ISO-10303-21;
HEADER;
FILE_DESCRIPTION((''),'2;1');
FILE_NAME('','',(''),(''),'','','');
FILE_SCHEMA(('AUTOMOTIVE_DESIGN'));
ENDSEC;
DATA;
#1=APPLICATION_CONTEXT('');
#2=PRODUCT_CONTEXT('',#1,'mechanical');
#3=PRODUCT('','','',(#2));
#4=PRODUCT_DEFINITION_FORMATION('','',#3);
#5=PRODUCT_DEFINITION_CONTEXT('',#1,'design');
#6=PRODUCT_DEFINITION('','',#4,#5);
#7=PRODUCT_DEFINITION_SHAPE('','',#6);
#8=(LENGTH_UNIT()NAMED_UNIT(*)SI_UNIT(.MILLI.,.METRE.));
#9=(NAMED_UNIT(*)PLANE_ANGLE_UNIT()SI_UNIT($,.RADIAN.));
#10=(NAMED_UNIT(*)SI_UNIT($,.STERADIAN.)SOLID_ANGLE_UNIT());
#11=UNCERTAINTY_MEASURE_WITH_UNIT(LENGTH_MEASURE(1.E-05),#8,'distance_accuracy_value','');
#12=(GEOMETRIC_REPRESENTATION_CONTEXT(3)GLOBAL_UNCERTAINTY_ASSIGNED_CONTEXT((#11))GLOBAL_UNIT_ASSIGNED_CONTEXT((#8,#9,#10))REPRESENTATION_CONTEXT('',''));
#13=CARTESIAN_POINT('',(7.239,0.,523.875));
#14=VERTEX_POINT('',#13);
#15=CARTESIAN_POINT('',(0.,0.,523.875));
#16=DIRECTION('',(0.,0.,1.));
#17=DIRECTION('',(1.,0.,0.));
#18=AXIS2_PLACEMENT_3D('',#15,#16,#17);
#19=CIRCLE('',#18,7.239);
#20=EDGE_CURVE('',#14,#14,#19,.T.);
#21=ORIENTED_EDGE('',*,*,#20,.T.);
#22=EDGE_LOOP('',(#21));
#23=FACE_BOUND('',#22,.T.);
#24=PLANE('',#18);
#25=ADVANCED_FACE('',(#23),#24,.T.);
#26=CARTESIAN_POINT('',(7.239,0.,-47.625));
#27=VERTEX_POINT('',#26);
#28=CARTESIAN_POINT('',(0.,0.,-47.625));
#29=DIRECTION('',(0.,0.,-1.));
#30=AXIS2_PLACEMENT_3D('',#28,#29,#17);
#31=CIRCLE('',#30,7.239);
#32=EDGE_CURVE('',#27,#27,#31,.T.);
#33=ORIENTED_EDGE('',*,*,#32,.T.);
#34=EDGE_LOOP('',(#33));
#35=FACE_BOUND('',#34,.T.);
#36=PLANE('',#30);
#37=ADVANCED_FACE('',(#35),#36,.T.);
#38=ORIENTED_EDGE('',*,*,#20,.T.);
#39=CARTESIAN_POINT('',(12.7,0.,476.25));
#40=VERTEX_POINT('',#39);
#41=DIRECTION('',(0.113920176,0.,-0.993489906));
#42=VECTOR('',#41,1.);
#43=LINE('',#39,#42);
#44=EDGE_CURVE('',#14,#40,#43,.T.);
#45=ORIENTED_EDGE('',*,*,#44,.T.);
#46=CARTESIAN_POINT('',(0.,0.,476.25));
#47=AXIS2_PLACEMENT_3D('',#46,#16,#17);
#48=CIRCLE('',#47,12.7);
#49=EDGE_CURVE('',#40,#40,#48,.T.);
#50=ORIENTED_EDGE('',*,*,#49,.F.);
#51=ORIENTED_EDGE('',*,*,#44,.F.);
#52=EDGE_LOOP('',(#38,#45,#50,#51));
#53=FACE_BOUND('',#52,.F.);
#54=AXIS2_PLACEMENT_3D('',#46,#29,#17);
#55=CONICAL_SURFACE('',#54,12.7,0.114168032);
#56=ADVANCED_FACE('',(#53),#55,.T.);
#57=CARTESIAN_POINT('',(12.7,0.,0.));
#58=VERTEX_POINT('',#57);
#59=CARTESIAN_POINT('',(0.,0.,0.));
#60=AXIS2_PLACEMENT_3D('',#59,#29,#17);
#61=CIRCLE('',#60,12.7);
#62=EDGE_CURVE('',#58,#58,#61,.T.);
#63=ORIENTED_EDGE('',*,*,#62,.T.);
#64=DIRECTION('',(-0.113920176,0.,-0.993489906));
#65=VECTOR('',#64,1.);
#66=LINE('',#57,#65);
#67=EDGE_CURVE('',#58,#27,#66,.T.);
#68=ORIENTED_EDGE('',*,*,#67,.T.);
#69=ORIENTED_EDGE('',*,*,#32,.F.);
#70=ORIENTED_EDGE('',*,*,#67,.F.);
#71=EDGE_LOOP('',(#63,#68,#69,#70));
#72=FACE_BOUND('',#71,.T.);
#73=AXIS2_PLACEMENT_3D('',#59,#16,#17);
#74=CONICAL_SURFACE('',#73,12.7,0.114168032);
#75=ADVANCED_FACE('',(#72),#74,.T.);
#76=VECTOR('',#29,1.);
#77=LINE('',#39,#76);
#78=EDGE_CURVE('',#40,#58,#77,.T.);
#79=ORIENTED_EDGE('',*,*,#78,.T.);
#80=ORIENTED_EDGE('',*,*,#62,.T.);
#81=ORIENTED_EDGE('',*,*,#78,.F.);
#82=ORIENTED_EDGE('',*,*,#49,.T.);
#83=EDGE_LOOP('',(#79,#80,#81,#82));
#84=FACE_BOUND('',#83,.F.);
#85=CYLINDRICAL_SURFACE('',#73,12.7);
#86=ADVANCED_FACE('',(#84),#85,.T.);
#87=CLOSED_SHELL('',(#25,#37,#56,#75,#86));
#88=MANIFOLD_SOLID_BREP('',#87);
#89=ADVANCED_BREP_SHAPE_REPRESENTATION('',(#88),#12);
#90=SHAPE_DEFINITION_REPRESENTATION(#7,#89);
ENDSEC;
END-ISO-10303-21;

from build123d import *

# Parameters (mm, degrees)
F0_R     = 12.7
F1_DEPTH = 476.25
F2_R     = 12.7
F3_DEPTH = 47.625
F4_SIZE2 = 47.625
F4_SIZE  = 5.461
F5_R     = 12.7
F6_DEPTH = 47.625
F7_SIZE2 = 5.461
F7_SIZE  = 47.625


with BuildPart() as f1:
    # F0 (on Top) → F1 (new body)
    with BuildSketch(Plane.XY):
        Circle(F0_R)
    extrude(amount=F1_DEPTH)

    # F2 (on face) → F3 (join)
    with BuildSketch(Plane.XY.offset(476.25)):
        Circle(F2_R)
    extrude(amount=F3_DEPTH)

    # F4
    f4_edges = [f1.edges().sort_by_distance(p)[0] for p in [
        (-12.7, 0, 523.875),
    ]]
    f4_side = f1.faces().sort_by_distance((0, 0, 523.875))[0]
    chamfer(f4_edges, length=F4_SIZE, length2=F4_SIZE2, reference=f4_side)

    # F5 (on face) → F6 (join)
    with BuildSketch(Plane(origin=(0, 0, 0), x_dir=(1, 0, 0), z_dir=(0, 0, -1))):
        Circle(F5_R)
    extrude(amount=F6_DEPTH)

    # F7
    f7_edges = [f1.edges().sort_by_distance(p)[0] for p in [
        (-12.7, 0, -47.625),
    ]]
    f7_side = f1.faces().sort_by_distance((-12.7, 0, 214.3125))[0]
    chamfer(f7_edges, length=F7_SIZE, length2=F7_SIZE2, reference=f7_side)


solid = f1.part
